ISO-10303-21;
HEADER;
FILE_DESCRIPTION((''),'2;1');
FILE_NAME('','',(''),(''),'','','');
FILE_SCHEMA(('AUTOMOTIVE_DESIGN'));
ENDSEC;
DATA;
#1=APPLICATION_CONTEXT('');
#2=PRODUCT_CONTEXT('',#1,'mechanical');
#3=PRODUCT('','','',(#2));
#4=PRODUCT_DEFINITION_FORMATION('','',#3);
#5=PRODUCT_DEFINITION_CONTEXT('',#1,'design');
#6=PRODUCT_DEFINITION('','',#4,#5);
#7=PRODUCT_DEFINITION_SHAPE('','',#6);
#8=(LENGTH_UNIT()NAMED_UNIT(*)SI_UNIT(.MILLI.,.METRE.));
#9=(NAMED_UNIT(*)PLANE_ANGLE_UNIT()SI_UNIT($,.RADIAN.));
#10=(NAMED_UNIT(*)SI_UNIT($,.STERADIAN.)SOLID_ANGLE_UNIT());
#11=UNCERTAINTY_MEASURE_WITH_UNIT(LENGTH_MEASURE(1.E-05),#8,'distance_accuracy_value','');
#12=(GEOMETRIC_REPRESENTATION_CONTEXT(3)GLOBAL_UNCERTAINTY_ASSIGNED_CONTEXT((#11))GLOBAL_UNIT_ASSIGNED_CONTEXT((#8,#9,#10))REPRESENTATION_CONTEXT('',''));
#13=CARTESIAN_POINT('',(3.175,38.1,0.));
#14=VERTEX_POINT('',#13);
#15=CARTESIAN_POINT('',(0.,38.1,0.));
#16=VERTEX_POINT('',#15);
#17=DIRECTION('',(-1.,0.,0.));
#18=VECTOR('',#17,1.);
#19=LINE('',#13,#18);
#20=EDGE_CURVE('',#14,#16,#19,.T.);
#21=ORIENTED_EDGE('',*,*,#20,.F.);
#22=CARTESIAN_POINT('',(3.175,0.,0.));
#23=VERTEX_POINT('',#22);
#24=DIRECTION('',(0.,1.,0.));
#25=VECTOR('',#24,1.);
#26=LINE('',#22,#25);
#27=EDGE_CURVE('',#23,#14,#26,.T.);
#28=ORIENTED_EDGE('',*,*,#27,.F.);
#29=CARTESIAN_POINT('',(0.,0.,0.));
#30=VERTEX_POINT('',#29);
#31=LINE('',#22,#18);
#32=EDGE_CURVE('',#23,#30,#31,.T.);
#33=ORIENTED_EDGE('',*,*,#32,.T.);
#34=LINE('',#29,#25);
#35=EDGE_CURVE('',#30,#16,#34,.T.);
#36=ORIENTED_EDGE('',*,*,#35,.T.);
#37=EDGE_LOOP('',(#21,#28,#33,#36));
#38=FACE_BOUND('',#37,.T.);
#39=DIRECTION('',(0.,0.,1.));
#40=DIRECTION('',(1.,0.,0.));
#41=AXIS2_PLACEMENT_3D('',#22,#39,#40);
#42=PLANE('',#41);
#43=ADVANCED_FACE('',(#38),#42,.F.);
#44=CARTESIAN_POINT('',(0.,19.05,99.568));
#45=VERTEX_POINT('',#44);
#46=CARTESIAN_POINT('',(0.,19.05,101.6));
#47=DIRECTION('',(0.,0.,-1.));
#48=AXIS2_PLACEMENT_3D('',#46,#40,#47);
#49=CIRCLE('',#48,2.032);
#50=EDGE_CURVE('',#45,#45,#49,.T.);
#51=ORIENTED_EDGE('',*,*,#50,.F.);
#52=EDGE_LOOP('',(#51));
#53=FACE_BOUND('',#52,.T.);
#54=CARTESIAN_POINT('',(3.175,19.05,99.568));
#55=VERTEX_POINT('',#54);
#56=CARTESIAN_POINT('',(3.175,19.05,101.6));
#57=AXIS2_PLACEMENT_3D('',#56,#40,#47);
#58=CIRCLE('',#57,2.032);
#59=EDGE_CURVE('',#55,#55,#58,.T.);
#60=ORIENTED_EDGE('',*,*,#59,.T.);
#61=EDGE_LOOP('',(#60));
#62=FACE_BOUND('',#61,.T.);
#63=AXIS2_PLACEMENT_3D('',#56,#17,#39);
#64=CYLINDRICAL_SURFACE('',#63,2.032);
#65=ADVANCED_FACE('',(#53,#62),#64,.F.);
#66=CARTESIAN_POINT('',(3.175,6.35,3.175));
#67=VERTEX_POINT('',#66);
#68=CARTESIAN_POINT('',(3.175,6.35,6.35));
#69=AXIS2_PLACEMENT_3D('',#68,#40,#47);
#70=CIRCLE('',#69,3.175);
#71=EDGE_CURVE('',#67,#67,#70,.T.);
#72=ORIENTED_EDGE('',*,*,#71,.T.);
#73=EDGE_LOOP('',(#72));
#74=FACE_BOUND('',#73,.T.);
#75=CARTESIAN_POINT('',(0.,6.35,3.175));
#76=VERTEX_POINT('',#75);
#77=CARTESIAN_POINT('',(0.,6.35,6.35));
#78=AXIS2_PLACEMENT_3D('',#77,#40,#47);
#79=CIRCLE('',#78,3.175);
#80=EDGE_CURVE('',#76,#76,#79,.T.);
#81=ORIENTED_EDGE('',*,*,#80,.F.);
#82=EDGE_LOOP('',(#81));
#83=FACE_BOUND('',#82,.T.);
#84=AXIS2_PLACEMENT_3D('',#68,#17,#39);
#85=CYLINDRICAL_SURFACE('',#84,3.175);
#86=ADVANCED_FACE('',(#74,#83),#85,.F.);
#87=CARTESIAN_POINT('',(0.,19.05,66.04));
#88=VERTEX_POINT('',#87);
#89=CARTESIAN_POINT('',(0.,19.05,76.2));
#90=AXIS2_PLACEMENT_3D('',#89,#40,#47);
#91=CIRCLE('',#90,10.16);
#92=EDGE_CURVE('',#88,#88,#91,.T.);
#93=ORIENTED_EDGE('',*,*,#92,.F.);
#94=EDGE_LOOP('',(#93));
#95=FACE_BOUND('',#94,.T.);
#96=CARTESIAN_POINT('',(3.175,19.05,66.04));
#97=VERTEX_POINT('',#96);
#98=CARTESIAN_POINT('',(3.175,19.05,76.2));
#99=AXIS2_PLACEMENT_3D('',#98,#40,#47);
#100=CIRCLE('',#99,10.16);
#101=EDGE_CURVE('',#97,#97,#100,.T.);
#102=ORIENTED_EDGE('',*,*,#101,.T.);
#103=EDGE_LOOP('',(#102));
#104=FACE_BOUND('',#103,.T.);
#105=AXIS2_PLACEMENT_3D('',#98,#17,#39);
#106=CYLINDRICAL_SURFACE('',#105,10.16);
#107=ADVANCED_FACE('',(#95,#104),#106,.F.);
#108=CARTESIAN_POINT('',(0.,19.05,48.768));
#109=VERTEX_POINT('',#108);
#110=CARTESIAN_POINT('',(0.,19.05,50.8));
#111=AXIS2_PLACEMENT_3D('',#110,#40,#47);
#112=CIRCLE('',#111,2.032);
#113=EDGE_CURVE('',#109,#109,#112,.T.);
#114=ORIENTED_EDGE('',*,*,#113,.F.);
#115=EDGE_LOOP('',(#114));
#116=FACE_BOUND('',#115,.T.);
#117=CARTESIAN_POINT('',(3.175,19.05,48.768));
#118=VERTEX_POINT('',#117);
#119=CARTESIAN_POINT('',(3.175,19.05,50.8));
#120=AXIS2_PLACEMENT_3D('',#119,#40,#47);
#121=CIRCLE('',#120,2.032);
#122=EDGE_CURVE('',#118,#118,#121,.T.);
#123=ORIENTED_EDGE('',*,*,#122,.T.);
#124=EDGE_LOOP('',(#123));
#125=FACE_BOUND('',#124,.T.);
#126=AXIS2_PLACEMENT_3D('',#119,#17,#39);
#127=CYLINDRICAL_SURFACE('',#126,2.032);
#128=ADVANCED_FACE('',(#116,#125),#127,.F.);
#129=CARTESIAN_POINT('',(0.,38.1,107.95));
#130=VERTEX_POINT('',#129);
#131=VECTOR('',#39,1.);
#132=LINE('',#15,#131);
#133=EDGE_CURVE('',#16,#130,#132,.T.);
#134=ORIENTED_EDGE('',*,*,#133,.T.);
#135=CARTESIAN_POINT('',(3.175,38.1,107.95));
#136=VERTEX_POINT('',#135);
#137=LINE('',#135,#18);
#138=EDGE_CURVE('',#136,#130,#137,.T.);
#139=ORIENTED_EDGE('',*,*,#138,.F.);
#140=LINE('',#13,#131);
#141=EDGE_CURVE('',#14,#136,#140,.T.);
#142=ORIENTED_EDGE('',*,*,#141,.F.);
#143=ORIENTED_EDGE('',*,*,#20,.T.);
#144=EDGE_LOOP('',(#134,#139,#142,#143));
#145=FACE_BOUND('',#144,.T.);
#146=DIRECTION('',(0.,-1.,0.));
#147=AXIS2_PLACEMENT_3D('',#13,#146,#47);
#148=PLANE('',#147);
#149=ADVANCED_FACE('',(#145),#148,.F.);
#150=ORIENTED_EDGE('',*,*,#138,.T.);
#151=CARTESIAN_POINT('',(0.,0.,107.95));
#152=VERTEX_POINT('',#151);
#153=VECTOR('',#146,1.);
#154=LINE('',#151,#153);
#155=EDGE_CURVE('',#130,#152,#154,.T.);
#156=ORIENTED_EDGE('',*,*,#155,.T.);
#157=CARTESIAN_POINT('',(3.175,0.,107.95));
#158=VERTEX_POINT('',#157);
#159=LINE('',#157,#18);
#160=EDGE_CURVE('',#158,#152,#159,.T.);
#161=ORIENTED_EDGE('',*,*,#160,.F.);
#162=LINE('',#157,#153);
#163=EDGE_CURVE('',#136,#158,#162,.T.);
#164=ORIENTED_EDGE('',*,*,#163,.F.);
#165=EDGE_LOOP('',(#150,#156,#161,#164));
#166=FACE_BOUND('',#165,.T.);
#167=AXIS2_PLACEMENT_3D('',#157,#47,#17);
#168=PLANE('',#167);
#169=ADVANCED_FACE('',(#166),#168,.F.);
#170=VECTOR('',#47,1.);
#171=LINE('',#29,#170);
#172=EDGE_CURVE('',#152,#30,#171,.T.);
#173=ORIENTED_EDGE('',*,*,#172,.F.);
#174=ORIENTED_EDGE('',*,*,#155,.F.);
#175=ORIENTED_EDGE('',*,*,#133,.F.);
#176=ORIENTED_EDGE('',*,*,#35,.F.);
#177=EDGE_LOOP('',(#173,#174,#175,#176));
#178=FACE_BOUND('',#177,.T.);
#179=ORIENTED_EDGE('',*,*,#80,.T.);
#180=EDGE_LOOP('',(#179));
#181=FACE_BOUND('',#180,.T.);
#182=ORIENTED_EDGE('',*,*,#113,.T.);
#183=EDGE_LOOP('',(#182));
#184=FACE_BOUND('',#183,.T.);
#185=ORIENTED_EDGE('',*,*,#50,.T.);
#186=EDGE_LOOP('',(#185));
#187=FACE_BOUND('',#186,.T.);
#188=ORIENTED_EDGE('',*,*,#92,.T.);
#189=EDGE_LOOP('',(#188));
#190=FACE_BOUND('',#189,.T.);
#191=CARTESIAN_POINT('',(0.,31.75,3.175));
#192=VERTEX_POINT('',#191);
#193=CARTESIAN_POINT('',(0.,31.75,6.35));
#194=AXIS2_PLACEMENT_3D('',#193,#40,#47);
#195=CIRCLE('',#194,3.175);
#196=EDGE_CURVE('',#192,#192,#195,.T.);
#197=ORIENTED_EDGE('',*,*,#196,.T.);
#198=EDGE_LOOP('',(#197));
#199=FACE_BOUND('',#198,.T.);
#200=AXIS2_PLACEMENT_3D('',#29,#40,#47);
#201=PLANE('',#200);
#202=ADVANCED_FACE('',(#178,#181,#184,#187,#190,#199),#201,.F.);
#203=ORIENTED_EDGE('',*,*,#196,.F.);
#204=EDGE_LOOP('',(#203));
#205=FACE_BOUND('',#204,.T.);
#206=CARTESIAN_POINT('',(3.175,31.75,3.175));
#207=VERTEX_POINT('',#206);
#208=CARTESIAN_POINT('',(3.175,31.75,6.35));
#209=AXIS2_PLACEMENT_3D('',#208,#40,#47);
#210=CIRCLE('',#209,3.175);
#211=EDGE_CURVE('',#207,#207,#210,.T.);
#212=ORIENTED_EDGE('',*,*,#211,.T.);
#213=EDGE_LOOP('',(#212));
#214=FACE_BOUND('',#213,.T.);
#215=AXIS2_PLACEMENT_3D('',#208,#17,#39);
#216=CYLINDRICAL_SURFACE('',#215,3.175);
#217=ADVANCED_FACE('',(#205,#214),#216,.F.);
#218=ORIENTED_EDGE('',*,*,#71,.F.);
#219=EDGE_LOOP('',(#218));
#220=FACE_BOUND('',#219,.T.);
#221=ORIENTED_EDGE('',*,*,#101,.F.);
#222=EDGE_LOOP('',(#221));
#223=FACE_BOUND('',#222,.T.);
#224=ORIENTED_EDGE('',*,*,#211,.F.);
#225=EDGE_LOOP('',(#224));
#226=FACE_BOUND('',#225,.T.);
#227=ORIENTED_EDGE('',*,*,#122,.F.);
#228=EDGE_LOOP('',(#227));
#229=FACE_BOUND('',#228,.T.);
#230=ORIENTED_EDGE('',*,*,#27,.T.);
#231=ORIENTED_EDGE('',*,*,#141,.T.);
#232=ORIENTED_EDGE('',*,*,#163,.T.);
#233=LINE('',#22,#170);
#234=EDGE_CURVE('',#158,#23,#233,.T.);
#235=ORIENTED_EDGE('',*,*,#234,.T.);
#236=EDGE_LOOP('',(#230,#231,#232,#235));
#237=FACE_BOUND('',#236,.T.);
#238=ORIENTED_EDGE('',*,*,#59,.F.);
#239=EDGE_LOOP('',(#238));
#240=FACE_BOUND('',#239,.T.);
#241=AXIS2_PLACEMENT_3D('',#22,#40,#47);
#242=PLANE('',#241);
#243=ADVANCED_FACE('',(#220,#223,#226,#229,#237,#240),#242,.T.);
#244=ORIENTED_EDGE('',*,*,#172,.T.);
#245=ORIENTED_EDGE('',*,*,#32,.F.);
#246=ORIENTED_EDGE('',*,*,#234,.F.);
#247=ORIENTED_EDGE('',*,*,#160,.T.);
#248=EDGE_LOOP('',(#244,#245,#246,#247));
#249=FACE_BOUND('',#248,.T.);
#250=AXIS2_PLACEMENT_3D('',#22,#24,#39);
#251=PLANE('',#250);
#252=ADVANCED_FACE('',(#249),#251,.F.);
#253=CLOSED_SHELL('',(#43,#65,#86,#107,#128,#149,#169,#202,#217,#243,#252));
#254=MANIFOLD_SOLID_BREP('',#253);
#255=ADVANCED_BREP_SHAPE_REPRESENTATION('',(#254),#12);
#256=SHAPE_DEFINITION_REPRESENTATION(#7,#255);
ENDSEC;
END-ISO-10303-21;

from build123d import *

# Parameters (mm, degrees)
SKETCH1_W           = 107.95
SKETCH1_H           = 38.1
SKETCH1_R           = 3.175
SKETCH1_R_2         = 2.032
SKETCH1_R_3         = 10.16
BOSS_EXTRUDE1_DEPTH = 3.175


with BuildPart() as part:
    # Sketch1 → Boss-Extrude1 (new body)
    with BuildSketch(Plane(origin=(0, 0, 0), x_dir=(0, 0, -1), z_dir=(1, 0, 0))):
        with Locations((-53.975, 19.05)):
            Rectangle(SKETCH1_W, SKETCH1_H)
        with Locations((-6.35, 31.75)):
            Circle(SKETCH1_R, mode=Mode.SUBTRACT)
        with Locations((-6.35, 6.35)):
            Circle(SKETCH1_R, mode=Mode.SUBTRACT)
        with Locations((-50.8, 19.05)):
            Circle(SKETCH1_R_2, mode=Mode.SUBTRACT)
        with Locations((-76.2, 19.05)):
            Circle(SKETCH1_R_3, mode=Mode.SUBTRACT)
        with Locations((-101.6, 19.05)):
            Circle(SKETCH1_R_2, mode=Mode.SUBTRACT)
    extrude(amount=BOSS_EXTRUDE1_DEPTH)


solid = part.part
